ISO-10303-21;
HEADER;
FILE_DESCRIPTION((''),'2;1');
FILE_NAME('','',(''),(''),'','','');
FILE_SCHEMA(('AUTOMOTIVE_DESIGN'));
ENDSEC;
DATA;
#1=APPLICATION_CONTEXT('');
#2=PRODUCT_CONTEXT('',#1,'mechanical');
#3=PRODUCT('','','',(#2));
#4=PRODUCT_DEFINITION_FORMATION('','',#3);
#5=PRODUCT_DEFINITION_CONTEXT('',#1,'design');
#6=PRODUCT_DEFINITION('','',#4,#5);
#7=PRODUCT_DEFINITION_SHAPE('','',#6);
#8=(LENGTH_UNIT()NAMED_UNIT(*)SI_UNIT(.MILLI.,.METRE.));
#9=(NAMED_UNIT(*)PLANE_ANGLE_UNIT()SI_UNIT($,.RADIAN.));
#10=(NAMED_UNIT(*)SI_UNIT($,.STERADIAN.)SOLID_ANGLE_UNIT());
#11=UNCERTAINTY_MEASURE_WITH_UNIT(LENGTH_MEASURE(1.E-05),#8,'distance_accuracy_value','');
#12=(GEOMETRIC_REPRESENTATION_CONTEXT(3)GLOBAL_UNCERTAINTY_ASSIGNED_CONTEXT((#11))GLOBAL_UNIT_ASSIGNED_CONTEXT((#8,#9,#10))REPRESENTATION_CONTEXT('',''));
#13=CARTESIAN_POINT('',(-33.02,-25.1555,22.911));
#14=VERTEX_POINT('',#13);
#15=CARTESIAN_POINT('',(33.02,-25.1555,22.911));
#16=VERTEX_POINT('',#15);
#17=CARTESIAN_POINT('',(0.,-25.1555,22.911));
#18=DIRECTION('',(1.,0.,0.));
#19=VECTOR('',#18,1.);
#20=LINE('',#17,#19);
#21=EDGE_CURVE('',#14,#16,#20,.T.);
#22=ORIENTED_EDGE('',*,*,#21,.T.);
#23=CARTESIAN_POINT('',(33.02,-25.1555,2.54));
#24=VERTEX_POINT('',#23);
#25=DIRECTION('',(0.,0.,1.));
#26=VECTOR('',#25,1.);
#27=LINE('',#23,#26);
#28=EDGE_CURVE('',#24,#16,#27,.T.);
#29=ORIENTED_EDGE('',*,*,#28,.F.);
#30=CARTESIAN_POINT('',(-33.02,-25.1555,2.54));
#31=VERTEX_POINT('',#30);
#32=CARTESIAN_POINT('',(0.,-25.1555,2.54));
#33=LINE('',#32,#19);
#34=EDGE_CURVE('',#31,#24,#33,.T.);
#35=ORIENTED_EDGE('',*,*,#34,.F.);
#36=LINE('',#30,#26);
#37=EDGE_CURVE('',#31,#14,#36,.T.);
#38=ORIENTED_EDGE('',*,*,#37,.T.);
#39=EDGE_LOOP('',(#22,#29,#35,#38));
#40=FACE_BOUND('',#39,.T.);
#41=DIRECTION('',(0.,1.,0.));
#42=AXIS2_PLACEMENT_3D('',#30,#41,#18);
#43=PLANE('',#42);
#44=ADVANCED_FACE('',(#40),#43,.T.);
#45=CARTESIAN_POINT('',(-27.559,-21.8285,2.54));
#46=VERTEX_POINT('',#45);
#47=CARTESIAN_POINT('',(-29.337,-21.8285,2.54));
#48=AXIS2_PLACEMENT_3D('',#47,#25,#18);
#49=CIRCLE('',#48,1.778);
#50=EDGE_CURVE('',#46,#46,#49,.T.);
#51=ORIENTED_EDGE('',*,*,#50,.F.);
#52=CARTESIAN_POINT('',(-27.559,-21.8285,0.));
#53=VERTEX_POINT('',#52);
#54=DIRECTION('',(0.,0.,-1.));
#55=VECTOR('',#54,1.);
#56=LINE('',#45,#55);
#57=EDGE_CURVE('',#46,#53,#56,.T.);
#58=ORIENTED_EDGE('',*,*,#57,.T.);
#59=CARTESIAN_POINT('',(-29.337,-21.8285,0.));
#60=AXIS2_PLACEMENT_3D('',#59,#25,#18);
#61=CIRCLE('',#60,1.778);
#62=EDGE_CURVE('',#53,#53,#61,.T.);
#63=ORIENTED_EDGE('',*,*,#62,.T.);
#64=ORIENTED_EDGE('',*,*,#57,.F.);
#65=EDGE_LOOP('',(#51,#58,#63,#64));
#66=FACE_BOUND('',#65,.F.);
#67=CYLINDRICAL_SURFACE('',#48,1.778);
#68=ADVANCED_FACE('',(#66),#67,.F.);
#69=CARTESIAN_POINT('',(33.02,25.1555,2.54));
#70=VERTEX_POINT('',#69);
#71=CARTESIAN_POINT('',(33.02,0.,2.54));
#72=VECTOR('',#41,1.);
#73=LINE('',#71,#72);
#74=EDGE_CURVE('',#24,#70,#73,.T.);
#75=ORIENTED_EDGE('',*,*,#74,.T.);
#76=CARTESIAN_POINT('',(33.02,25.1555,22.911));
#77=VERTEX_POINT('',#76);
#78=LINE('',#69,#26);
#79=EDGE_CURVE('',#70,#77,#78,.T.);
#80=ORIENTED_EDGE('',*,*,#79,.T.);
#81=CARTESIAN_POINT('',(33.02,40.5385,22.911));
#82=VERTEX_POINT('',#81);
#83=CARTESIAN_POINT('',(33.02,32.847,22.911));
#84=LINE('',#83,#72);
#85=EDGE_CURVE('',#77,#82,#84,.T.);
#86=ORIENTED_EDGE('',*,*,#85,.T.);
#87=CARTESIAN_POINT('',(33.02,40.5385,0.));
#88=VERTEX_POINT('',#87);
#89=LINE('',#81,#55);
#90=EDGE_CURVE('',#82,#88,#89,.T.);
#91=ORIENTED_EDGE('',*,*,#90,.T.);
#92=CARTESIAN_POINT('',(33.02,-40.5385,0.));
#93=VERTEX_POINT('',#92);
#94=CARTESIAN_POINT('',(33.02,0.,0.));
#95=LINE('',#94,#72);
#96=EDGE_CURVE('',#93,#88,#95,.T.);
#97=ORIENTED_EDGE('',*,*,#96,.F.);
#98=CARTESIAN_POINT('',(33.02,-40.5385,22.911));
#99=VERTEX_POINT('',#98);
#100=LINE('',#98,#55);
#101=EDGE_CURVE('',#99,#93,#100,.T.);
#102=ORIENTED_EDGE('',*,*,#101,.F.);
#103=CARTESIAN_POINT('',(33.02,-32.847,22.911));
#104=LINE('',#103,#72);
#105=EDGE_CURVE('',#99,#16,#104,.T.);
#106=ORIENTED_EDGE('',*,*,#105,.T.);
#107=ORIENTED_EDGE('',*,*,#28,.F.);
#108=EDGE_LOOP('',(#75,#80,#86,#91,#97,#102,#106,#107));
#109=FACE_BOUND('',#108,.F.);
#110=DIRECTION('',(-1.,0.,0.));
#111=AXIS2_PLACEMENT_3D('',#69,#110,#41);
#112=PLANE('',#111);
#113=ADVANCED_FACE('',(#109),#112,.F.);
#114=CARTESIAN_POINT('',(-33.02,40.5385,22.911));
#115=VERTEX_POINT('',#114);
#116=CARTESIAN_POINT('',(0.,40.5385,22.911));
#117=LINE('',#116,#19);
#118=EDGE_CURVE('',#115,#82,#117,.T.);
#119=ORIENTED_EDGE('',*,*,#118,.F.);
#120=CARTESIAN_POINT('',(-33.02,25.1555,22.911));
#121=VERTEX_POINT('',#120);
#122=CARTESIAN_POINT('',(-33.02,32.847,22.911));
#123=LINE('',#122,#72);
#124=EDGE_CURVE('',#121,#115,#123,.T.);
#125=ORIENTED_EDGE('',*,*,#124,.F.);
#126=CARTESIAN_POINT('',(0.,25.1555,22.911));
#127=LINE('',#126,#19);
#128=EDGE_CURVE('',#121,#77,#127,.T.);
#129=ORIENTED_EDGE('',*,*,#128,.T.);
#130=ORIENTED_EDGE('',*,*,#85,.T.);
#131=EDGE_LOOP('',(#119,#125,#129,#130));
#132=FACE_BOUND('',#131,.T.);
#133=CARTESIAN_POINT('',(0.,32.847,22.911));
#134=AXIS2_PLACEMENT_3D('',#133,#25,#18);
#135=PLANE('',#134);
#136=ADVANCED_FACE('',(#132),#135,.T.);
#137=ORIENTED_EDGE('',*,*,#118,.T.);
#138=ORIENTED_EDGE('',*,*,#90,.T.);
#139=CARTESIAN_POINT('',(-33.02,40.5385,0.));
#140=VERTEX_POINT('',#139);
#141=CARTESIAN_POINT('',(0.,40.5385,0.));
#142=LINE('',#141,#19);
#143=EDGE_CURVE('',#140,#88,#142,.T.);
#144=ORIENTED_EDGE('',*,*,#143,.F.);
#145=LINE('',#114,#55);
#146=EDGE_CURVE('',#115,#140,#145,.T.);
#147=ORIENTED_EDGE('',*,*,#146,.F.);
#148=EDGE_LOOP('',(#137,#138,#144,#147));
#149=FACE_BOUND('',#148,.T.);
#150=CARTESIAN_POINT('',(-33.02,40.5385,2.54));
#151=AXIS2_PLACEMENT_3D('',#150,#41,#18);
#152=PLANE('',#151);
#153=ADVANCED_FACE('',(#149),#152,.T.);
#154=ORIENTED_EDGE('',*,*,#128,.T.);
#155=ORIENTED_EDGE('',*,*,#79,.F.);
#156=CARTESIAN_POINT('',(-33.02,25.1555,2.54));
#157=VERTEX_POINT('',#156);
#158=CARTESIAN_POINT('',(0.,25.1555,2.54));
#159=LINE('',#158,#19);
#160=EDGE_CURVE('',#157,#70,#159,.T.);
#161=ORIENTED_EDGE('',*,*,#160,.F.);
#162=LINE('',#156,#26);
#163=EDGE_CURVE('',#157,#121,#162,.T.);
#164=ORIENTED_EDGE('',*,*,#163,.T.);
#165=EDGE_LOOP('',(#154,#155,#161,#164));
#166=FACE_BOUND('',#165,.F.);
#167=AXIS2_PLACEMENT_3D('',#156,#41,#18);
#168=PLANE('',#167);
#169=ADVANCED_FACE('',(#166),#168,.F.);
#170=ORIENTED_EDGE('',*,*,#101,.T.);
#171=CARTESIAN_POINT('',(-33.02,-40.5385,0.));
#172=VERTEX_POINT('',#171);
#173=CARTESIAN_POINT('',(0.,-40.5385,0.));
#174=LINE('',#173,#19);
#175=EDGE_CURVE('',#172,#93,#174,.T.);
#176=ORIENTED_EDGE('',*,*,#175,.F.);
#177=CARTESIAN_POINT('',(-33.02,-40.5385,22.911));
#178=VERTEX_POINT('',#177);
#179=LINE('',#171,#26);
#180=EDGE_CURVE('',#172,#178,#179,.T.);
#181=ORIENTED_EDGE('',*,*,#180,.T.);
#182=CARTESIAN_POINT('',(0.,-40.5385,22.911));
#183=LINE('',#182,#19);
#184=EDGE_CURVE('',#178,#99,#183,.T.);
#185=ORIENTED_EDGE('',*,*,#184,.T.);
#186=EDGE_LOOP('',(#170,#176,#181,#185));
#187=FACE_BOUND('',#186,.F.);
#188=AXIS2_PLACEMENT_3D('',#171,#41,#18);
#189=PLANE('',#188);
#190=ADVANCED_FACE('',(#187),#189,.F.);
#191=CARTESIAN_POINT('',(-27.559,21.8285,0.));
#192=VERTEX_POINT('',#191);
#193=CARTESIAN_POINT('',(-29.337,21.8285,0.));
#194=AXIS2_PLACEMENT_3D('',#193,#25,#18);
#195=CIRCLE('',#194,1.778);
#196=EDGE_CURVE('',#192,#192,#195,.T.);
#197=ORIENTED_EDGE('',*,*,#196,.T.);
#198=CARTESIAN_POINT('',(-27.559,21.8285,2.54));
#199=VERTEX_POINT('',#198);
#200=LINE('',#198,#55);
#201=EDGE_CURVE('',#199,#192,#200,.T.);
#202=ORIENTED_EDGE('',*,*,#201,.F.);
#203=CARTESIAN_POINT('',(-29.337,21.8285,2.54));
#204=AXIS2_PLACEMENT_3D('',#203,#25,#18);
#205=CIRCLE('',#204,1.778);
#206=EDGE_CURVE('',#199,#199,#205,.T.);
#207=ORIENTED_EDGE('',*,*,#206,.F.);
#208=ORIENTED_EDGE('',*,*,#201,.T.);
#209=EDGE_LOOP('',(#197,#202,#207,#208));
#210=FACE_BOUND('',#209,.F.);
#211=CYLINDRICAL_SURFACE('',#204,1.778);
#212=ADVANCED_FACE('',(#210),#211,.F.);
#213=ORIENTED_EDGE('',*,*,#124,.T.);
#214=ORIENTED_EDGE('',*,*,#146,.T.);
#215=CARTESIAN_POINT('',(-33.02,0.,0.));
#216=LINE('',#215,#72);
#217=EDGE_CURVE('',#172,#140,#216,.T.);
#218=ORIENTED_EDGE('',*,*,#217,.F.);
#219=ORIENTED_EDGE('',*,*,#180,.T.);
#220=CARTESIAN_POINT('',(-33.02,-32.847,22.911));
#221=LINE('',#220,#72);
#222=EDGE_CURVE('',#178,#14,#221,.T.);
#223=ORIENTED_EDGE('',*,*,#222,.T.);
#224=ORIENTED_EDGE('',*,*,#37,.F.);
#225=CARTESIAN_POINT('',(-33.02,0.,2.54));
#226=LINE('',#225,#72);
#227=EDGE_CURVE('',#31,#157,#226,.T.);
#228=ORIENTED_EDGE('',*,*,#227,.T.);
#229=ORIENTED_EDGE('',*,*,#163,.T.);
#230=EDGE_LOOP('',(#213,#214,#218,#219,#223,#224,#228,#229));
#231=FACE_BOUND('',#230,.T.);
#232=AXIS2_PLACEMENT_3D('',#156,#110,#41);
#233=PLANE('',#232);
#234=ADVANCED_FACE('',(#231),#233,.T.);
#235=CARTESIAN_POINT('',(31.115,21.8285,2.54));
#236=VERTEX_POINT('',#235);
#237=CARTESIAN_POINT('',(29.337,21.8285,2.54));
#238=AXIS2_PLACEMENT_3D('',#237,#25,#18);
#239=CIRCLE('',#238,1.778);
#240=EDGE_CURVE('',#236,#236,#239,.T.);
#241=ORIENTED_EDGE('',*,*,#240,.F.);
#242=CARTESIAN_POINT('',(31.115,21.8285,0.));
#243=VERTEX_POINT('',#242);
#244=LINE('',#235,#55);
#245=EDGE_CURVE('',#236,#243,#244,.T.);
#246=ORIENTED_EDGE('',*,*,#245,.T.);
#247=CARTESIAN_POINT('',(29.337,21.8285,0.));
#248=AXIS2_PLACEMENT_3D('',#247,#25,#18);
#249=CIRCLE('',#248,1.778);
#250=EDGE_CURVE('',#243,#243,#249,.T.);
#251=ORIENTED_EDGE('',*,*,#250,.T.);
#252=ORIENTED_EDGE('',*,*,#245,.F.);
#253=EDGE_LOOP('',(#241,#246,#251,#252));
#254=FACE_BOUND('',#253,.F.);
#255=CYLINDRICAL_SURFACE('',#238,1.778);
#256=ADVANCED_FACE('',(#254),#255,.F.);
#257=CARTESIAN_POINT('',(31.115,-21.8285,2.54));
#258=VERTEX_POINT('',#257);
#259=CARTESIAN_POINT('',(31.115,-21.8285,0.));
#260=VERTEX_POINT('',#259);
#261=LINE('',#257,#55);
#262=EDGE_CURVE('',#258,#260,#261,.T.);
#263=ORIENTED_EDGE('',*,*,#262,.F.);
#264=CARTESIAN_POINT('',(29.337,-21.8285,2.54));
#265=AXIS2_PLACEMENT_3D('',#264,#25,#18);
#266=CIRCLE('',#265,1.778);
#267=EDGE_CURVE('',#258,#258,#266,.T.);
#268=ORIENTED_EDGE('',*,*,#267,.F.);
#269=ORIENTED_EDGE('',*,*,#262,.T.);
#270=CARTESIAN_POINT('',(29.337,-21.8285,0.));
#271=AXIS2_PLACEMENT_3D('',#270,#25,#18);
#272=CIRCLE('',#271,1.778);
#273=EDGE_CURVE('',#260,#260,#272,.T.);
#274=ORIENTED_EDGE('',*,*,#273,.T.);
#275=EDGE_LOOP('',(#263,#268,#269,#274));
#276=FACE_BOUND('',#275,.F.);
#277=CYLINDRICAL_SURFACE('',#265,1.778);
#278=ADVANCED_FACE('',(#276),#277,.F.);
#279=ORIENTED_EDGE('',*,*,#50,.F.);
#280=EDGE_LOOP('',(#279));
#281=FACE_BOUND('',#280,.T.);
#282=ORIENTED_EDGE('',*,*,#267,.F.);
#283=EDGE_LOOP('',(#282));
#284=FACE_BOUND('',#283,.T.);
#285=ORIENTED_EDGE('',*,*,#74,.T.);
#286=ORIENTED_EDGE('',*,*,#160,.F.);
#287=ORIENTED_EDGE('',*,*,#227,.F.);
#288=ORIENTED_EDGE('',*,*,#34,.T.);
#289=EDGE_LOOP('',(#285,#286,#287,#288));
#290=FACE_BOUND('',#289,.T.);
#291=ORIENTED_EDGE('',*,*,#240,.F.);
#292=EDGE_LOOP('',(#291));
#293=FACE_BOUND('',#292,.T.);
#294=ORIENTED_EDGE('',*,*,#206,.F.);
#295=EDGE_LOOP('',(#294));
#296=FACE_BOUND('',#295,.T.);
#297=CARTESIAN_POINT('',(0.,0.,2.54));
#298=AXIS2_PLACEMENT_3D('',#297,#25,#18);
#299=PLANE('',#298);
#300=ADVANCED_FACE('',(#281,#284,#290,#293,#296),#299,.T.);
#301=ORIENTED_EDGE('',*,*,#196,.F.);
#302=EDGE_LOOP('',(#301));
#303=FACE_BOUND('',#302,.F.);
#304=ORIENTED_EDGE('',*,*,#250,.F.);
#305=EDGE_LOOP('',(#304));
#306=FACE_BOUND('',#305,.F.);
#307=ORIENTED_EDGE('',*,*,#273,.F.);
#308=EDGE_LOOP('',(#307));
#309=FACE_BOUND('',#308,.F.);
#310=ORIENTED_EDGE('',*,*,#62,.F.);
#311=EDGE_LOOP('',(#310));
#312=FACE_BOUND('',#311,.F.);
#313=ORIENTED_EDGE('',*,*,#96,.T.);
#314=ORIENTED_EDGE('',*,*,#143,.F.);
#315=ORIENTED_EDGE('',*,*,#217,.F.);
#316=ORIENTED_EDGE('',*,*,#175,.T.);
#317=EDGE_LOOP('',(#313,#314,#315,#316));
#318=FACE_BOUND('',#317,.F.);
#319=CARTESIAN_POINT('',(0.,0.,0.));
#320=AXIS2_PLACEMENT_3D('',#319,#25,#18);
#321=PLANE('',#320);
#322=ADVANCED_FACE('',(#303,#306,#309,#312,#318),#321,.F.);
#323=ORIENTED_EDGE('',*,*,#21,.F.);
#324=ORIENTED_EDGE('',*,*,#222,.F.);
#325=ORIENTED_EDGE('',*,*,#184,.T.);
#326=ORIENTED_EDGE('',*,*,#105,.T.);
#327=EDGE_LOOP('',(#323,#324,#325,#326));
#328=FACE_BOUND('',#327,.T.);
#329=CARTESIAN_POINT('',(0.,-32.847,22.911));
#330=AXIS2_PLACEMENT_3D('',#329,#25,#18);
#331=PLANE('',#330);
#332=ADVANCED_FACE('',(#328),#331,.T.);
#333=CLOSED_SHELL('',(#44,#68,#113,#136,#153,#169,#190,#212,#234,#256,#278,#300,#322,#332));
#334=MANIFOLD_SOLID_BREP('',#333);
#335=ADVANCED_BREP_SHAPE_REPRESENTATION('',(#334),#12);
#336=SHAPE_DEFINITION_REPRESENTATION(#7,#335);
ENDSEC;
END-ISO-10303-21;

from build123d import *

# Parameters (mm, degrees)
F0_W     = 66.04
F0_H     = 81.077
F1_DEPTH = 2.54
F2_W     = 66.04
F2_H     = 15.383
F3_DEPTH = 20.371
F4_R     = 1.778
F5_DEPTH = 25


with BuildPart() as f1:
    # F0 (on Top) → F1 (new body)
    with BuildSketch(Plane.XY):
        Rectangle(F0_W, F0_H)
    extrude(amount=F1_DEPTH)

    # F2 (on face) → F3 (join)
    with BuildSketch(Plane.XY.offset(2.54)):
        with Locations((0, 32.847)):
            Rectangle(F2_W, F2_H)
        with Locations((0, -32.847)):
            Rectangle(F2_W, F2_H)
    extrude(amount=F3_DEPTH)

    # F4 (on face) → F5 (cut)
    with BuildSketch(Plane.XY.offset(2.54)):
        with Locations((-29.337, 21.8285)):
            Circle(F4_R)
        with Locations((29.337, 21.8285)):
            Circle(F4_R)
        with Locations((29.337, -21.8285)):
            Circle(F4_R)
        with Locations((-29.337, -21.8285)):
            Circle(F4_R)
    extrude(amount=-F5_DEPTH, mode=Mode.SUBTRACT)


solid = f1.part
